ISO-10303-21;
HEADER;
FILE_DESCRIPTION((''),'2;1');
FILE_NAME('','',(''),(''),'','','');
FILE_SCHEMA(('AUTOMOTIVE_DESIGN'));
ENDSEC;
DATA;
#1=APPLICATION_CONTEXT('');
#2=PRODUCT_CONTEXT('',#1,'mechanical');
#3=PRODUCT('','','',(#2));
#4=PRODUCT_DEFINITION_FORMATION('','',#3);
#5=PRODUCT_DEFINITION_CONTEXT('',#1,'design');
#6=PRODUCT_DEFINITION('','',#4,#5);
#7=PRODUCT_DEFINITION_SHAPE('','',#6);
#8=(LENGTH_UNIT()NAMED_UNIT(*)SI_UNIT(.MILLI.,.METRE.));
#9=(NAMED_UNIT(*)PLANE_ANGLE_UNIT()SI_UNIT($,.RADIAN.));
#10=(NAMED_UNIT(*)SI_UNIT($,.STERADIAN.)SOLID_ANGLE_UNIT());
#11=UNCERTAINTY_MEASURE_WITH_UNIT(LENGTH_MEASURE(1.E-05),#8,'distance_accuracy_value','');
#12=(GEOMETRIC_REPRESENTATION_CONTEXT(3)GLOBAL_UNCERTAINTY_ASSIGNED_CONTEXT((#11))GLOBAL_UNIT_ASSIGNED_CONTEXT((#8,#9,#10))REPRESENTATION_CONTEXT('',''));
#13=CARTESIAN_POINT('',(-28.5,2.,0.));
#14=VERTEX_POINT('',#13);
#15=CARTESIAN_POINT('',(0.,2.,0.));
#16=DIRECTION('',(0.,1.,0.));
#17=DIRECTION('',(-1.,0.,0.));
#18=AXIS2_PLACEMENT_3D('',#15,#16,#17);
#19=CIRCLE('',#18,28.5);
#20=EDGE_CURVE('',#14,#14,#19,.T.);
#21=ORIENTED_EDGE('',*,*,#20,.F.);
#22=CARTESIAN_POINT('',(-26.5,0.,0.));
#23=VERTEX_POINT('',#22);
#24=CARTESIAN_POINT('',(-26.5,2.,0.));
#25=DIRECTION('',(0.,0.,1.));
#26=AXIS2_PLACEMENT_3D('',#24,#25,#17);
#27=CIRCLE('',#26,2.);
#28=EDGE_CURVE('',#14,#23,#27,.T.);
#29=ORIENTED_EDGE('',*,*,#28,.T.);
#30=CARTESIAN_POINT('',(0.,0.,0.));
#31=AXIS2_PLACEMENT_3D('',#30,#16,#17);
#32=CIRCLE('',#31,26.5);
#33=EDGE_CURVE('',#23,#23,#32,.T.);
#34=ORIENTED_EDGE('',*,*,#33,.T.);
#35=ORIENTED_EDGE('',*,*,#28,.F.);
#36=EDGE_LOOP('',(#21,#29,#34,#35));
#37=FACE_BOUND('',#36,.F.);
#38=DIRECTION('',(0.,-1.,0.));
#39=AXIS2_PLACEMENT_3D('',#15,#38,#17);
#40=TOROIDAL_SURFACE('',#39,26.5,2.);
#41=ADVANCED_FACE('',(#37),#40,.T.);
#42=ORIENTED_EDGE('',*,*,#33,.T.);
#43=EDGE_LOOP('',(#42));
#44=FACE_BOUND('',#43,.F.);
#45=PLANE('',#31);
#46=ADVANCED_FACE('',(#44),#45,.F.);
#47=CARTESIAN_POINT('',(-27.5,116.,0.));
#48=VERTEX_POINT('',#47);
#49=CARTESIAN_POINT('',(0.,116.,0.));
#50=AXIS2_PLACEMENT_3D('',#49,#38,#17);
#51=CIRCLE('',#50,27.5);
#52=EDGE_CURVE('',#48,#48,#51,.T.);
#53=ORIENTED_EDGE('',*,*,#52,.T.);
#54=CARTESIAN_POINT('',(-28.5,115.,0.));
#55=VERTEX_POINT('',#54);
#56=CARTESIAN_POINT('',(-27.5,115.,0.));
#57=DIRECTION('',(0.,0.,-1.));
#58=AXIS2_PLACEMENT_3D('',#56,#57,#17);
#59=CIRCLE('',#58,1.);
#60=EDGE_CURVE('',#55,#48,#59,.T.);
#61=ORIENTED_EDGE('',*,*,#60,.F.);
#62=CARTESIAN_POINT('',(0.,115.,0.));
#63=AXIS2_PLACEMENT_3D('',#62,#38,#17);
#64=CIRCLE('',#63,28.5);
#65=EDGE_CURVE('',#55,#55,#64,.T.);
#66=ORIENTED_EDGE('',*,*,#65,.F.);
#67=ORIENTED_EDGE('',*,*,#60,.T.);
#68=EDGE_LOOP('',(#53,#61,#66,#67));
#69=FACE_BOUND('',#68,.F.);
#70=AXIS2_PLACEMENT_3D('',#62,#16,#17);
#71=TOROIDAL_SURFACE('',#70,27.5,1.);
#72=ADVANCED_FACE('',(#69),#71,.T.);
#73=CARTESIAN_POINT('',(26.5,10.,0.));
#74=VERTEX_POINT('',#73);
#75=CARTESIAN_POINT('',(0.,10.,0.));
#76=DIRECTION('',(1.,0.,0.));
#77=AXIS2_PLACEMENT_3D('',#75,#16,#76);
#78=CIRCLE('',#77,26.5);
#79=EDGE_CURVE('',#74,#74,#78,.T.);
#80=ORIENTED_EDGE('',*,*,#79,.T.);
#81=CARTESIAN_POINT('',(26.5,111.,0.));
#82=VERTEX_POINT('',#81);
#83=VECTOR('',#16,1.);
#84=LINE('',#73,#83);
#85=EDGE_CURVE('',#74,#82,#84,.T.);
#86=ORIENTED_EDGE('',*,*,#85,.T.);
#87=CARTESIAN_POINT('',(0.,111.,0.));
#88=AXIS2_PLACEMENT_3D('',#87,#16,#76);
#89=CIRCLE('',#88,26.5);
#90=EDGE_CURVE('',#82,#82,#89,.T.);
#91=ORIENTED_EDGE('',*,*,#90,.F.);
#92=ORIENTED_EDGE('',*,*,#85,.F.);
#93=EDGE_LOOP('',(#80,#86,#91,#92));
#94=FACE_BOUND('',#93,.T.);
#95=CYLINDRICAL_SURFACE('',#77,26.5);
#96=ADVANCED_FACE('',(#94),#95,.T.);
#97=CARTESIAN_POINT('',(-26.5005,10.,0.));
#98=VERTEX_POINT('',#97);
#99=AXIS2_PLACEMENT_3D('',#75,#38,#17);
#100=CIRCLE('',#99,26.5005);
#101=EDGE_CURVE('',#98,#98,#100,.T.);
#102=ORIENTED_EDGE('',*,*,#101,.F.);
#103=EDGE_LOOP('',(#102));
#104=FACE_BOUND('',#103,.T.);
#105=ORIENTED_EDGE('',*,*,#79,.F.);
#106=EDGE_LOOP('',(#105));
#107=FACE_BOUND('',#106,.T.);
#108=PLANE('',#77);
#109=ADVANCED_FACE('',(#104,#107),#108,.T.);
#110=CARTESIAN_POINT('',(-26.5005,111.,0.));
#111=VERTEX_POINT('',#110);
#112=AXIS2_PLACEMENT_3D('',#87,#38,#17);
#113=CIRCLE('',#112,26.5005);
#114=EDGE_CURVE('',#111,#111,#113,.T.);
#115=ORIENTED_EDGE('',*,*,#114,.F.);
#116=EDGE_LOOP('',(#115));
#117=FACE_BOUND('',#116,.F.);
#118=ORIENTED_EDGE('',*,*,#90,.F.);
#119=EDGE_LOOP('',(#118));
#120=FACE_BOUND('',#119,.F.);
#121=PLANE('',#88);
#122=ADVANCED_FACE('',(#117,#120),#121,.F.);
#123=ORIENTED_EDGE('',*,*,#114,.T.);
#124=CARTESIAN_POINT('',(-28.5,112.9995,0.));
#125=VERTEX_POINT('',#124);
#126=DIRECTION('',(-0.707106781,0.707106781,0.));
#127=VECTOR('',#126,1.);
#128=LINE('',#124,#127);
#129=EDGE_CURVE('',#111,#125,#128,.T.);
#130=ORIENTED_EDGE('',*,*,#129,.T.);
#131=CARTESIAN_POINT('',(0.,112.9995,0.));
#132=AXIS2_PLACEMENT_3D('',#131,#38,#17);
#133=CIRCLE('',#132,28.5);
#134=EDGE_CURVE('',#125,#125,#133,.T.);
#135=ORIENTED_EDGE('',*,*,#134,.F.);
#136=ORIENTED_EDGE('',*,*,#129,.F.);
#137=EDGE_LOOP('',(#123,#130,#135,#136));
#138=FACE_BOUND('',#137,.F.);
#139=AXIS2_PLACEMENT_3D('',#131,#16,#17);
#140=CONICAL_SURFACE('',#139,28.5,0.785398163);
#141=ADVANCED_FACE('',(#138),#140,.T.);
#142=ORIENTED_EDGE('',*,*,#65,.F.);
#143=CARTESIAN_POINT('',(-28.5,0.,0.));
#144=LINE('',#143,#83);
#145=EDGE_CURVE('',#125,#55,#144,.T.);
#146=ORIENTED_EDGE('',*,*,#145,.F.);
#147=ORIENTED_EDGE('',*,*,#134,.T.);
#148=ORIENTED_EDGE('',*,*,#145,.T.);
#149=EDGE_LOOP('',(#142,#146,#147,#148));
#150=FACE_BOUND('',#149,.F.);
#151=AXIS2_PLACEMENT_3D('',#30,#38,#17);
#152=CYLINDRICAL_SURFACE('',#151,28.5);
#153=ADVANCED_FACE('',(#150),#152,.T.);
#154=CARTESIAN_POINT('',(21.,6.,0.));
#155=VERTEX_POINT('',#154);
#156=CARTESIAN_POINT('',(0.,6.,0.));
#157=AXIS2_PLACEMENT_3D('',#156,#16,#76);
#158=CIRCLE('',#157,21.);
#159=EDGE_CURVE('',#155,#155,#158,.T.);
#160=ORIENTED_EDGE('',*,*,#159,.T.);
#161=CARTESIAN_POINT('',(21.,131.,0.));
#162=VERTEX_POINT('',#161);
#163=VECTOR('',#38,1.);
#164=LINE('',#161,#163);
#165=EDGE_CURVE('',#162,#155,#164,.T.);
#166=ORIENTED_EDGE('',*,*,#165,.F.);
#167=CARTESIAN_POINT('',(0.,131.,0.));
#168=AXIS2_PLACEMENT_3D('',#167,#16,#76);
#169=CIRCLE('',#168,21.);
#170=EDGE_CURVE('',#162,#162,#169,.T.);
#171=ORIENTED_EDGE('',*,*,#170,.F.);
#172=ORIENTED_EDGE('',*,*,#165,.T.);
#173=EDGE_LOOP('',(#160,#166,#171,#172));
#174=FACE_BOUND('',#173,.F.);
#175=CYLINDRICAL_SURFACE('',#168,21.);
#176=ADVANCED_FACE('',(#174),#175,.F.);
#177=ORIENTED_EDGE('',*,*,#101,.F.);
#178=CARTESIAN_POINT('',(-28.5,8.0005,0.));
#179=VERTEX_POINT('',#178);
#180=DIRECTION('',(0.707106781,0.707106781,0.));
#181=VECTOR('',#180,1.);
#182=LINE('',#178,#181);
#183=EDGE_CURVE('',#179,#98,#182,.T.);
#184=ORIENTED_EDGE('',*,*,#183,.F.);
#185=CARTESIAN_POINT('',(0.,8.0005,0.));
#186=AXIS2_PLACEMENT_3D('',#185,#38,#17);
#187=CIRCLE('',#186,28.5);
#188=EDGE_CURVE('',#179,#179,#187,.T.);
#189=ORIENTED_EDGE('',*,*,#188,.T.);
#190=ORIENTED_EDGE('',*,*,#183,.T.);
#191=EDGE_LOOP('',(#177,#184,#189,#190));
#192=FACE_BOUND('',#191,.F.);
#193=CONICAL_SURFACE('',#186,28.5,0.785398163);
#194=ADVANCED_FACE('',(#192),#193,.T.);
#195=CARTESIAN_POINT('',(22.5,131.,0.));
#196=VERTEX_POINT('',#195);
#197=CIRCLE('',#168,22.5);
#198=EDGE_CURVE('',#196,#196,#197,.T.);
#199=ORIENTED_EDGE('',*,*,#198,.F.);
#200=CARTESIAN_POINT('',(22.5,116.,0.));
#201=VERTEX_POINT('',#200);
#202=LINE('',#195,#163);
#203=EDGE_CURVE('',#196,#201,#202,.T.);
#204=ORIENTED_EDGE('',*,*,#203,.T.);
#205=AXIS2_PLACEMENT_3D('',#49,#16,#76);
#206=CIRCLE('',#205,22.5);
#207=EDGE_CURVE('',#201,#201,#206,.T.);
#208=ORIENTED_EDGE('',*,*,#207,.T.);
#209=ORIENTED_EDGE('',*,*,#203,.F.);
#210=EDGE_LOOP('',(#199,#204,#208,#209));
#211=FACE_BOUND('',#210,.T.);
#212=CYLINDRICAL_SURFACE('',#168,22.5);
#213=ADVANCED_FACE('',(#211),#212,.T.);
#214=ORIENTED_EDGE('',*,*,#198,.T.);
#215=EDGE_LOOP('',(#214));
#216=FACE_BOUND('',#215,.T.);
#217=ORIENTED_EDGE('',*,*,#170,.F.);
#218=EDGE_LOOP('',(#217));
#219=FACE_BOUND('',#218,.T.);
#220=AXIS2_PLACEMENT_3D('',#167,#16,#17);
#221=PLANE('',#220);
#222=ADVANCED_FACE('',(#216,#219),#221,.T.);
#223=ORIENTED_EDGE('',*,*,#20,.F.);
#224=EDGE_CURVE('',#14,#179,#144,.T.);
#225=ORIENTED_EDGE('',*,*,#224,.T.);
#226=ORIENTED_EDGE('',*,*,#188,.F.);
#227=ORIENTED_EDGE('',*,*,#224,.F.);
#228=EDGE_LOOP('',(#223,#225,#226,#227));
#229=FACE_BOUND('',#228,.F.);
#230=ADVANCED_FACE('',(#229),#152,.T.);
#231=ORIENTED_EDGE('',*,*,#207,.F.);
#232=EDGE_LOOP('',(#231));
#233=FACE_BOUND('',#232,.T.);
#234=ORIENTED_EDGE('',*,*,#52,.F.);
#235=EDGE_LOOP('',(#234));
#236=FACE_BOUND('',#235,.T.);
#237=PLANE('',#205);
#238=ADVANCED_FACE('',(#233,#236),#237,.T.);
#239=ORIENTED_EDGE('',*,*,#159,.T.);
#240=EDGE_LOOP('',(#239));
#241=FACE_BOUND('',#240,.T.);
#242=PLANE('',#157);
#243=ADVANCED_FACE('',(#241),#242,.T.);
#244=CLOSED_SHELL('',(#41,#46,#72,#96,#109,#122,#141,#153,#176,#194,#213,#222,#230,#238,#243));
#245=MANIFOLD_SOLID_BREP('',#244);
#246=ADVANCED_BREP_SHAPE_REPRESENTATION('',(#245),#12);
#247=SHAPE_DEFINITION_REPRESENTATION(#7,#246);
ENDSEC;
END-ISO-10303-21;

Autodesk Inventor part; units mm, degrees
ref_plane "YZ Plane" through (0, 0, 0) normal (1, 0, 0) x (0, 1, 0)
ref_plane "XZ Plane" through (0, 0, 0) normal (0, 1, 0) x (-1, 0, 0)
sketch "Sketch1" plane through (0, 0, 0) normal (0, 1, 0) x (-1, 0, 0)
  circle A0 centre (0, 0) radius 28.5
  dimension "d0" = 57
extrude "Extrusion1" add sketch "Sketch1" along normal blind 131
sketch "Sketch2" plane through (0, 131, 0) normal (0, 1, 0) x (1, 0, 0)
  circle A0 centre (0, 0) radius 25
  circle A1 centre (0, 0) radius 22.5
  circle A2 centre (0, 0) radius 28.5
  dimension "d3" = 50
  dimension "d4" = 45
  dimension "d8" = 57
extrude "Extrusion2" cut sketch "Sketch2" against normal blind 15 contours A0 | A2
ref_plane "Work Plane2" through (0, 0, 0) normal (0, 0, 1) x (1, 0, 0)
sketch "Sketch4" plane through (0, 0, 0) normal (0, 0, 1) x (1, 0, 0)
  line L0 (28.5, 0) -> (28.5, 116) projected
  line L1 (-28.5, 116) -> (28.5, 116) projected
  line L2 (28.5, 116) -> (28.5, 111)
  line L3 (28.5, 111) -> (26.5, 111)
  line L4 (28.5, 0) -> (-28.5, 0) projected
  line L5 (28.5, 0) -> (28.5, 10)
  line L6 (28.5, 10) -> (26.5, 10)
  line L7 (26.5, 10) -> (26.5, 111)
  line L8 (28.5, 111) -> (28.5, 10)
  line L9 (0, -23.2) -> (0, 139.2) projected
  point P0 (0, 0)
  dimension "d10" = 5
  dimension "d11" = 2
  dimension "d12" = 10
  dimension "d13" = 2
revolve "Revolution1" cut sketch "Sketch4" angle 360 about axis through (0, -10, 0) along (0, 1, 0) contours L6 L7 L3 L0
chamfer "Chamfer1" distance 2 angle 45 1 edges at (28.5, 10, 0)
chamfer "Chamfer2" distance 2 angle 45 1 edges at (28.5, 111, 0)
fillet "Fillet1" radius 2 1 edges at (28.5, 0, 0)
fillet "Fillet2" radius 1 1 edges at (28.5, 116, 0)
sketch "Sketch5" plane through (0, 0, 0) normal (0, 0, 1) x (1, 0, 0)
  point P0 (0, 0)
sketch "Sketch6" plane through (0, 131, 0) normal (0, 1, 0) x (1, 0, 0)
  circle A0 centre (0, 0) radius 21
  dimension "d27" = 42
extrude "Extrusion3" cut sketch "Sketch6" against normal blind 125
properties part number "FiestaSpiceContainer"
